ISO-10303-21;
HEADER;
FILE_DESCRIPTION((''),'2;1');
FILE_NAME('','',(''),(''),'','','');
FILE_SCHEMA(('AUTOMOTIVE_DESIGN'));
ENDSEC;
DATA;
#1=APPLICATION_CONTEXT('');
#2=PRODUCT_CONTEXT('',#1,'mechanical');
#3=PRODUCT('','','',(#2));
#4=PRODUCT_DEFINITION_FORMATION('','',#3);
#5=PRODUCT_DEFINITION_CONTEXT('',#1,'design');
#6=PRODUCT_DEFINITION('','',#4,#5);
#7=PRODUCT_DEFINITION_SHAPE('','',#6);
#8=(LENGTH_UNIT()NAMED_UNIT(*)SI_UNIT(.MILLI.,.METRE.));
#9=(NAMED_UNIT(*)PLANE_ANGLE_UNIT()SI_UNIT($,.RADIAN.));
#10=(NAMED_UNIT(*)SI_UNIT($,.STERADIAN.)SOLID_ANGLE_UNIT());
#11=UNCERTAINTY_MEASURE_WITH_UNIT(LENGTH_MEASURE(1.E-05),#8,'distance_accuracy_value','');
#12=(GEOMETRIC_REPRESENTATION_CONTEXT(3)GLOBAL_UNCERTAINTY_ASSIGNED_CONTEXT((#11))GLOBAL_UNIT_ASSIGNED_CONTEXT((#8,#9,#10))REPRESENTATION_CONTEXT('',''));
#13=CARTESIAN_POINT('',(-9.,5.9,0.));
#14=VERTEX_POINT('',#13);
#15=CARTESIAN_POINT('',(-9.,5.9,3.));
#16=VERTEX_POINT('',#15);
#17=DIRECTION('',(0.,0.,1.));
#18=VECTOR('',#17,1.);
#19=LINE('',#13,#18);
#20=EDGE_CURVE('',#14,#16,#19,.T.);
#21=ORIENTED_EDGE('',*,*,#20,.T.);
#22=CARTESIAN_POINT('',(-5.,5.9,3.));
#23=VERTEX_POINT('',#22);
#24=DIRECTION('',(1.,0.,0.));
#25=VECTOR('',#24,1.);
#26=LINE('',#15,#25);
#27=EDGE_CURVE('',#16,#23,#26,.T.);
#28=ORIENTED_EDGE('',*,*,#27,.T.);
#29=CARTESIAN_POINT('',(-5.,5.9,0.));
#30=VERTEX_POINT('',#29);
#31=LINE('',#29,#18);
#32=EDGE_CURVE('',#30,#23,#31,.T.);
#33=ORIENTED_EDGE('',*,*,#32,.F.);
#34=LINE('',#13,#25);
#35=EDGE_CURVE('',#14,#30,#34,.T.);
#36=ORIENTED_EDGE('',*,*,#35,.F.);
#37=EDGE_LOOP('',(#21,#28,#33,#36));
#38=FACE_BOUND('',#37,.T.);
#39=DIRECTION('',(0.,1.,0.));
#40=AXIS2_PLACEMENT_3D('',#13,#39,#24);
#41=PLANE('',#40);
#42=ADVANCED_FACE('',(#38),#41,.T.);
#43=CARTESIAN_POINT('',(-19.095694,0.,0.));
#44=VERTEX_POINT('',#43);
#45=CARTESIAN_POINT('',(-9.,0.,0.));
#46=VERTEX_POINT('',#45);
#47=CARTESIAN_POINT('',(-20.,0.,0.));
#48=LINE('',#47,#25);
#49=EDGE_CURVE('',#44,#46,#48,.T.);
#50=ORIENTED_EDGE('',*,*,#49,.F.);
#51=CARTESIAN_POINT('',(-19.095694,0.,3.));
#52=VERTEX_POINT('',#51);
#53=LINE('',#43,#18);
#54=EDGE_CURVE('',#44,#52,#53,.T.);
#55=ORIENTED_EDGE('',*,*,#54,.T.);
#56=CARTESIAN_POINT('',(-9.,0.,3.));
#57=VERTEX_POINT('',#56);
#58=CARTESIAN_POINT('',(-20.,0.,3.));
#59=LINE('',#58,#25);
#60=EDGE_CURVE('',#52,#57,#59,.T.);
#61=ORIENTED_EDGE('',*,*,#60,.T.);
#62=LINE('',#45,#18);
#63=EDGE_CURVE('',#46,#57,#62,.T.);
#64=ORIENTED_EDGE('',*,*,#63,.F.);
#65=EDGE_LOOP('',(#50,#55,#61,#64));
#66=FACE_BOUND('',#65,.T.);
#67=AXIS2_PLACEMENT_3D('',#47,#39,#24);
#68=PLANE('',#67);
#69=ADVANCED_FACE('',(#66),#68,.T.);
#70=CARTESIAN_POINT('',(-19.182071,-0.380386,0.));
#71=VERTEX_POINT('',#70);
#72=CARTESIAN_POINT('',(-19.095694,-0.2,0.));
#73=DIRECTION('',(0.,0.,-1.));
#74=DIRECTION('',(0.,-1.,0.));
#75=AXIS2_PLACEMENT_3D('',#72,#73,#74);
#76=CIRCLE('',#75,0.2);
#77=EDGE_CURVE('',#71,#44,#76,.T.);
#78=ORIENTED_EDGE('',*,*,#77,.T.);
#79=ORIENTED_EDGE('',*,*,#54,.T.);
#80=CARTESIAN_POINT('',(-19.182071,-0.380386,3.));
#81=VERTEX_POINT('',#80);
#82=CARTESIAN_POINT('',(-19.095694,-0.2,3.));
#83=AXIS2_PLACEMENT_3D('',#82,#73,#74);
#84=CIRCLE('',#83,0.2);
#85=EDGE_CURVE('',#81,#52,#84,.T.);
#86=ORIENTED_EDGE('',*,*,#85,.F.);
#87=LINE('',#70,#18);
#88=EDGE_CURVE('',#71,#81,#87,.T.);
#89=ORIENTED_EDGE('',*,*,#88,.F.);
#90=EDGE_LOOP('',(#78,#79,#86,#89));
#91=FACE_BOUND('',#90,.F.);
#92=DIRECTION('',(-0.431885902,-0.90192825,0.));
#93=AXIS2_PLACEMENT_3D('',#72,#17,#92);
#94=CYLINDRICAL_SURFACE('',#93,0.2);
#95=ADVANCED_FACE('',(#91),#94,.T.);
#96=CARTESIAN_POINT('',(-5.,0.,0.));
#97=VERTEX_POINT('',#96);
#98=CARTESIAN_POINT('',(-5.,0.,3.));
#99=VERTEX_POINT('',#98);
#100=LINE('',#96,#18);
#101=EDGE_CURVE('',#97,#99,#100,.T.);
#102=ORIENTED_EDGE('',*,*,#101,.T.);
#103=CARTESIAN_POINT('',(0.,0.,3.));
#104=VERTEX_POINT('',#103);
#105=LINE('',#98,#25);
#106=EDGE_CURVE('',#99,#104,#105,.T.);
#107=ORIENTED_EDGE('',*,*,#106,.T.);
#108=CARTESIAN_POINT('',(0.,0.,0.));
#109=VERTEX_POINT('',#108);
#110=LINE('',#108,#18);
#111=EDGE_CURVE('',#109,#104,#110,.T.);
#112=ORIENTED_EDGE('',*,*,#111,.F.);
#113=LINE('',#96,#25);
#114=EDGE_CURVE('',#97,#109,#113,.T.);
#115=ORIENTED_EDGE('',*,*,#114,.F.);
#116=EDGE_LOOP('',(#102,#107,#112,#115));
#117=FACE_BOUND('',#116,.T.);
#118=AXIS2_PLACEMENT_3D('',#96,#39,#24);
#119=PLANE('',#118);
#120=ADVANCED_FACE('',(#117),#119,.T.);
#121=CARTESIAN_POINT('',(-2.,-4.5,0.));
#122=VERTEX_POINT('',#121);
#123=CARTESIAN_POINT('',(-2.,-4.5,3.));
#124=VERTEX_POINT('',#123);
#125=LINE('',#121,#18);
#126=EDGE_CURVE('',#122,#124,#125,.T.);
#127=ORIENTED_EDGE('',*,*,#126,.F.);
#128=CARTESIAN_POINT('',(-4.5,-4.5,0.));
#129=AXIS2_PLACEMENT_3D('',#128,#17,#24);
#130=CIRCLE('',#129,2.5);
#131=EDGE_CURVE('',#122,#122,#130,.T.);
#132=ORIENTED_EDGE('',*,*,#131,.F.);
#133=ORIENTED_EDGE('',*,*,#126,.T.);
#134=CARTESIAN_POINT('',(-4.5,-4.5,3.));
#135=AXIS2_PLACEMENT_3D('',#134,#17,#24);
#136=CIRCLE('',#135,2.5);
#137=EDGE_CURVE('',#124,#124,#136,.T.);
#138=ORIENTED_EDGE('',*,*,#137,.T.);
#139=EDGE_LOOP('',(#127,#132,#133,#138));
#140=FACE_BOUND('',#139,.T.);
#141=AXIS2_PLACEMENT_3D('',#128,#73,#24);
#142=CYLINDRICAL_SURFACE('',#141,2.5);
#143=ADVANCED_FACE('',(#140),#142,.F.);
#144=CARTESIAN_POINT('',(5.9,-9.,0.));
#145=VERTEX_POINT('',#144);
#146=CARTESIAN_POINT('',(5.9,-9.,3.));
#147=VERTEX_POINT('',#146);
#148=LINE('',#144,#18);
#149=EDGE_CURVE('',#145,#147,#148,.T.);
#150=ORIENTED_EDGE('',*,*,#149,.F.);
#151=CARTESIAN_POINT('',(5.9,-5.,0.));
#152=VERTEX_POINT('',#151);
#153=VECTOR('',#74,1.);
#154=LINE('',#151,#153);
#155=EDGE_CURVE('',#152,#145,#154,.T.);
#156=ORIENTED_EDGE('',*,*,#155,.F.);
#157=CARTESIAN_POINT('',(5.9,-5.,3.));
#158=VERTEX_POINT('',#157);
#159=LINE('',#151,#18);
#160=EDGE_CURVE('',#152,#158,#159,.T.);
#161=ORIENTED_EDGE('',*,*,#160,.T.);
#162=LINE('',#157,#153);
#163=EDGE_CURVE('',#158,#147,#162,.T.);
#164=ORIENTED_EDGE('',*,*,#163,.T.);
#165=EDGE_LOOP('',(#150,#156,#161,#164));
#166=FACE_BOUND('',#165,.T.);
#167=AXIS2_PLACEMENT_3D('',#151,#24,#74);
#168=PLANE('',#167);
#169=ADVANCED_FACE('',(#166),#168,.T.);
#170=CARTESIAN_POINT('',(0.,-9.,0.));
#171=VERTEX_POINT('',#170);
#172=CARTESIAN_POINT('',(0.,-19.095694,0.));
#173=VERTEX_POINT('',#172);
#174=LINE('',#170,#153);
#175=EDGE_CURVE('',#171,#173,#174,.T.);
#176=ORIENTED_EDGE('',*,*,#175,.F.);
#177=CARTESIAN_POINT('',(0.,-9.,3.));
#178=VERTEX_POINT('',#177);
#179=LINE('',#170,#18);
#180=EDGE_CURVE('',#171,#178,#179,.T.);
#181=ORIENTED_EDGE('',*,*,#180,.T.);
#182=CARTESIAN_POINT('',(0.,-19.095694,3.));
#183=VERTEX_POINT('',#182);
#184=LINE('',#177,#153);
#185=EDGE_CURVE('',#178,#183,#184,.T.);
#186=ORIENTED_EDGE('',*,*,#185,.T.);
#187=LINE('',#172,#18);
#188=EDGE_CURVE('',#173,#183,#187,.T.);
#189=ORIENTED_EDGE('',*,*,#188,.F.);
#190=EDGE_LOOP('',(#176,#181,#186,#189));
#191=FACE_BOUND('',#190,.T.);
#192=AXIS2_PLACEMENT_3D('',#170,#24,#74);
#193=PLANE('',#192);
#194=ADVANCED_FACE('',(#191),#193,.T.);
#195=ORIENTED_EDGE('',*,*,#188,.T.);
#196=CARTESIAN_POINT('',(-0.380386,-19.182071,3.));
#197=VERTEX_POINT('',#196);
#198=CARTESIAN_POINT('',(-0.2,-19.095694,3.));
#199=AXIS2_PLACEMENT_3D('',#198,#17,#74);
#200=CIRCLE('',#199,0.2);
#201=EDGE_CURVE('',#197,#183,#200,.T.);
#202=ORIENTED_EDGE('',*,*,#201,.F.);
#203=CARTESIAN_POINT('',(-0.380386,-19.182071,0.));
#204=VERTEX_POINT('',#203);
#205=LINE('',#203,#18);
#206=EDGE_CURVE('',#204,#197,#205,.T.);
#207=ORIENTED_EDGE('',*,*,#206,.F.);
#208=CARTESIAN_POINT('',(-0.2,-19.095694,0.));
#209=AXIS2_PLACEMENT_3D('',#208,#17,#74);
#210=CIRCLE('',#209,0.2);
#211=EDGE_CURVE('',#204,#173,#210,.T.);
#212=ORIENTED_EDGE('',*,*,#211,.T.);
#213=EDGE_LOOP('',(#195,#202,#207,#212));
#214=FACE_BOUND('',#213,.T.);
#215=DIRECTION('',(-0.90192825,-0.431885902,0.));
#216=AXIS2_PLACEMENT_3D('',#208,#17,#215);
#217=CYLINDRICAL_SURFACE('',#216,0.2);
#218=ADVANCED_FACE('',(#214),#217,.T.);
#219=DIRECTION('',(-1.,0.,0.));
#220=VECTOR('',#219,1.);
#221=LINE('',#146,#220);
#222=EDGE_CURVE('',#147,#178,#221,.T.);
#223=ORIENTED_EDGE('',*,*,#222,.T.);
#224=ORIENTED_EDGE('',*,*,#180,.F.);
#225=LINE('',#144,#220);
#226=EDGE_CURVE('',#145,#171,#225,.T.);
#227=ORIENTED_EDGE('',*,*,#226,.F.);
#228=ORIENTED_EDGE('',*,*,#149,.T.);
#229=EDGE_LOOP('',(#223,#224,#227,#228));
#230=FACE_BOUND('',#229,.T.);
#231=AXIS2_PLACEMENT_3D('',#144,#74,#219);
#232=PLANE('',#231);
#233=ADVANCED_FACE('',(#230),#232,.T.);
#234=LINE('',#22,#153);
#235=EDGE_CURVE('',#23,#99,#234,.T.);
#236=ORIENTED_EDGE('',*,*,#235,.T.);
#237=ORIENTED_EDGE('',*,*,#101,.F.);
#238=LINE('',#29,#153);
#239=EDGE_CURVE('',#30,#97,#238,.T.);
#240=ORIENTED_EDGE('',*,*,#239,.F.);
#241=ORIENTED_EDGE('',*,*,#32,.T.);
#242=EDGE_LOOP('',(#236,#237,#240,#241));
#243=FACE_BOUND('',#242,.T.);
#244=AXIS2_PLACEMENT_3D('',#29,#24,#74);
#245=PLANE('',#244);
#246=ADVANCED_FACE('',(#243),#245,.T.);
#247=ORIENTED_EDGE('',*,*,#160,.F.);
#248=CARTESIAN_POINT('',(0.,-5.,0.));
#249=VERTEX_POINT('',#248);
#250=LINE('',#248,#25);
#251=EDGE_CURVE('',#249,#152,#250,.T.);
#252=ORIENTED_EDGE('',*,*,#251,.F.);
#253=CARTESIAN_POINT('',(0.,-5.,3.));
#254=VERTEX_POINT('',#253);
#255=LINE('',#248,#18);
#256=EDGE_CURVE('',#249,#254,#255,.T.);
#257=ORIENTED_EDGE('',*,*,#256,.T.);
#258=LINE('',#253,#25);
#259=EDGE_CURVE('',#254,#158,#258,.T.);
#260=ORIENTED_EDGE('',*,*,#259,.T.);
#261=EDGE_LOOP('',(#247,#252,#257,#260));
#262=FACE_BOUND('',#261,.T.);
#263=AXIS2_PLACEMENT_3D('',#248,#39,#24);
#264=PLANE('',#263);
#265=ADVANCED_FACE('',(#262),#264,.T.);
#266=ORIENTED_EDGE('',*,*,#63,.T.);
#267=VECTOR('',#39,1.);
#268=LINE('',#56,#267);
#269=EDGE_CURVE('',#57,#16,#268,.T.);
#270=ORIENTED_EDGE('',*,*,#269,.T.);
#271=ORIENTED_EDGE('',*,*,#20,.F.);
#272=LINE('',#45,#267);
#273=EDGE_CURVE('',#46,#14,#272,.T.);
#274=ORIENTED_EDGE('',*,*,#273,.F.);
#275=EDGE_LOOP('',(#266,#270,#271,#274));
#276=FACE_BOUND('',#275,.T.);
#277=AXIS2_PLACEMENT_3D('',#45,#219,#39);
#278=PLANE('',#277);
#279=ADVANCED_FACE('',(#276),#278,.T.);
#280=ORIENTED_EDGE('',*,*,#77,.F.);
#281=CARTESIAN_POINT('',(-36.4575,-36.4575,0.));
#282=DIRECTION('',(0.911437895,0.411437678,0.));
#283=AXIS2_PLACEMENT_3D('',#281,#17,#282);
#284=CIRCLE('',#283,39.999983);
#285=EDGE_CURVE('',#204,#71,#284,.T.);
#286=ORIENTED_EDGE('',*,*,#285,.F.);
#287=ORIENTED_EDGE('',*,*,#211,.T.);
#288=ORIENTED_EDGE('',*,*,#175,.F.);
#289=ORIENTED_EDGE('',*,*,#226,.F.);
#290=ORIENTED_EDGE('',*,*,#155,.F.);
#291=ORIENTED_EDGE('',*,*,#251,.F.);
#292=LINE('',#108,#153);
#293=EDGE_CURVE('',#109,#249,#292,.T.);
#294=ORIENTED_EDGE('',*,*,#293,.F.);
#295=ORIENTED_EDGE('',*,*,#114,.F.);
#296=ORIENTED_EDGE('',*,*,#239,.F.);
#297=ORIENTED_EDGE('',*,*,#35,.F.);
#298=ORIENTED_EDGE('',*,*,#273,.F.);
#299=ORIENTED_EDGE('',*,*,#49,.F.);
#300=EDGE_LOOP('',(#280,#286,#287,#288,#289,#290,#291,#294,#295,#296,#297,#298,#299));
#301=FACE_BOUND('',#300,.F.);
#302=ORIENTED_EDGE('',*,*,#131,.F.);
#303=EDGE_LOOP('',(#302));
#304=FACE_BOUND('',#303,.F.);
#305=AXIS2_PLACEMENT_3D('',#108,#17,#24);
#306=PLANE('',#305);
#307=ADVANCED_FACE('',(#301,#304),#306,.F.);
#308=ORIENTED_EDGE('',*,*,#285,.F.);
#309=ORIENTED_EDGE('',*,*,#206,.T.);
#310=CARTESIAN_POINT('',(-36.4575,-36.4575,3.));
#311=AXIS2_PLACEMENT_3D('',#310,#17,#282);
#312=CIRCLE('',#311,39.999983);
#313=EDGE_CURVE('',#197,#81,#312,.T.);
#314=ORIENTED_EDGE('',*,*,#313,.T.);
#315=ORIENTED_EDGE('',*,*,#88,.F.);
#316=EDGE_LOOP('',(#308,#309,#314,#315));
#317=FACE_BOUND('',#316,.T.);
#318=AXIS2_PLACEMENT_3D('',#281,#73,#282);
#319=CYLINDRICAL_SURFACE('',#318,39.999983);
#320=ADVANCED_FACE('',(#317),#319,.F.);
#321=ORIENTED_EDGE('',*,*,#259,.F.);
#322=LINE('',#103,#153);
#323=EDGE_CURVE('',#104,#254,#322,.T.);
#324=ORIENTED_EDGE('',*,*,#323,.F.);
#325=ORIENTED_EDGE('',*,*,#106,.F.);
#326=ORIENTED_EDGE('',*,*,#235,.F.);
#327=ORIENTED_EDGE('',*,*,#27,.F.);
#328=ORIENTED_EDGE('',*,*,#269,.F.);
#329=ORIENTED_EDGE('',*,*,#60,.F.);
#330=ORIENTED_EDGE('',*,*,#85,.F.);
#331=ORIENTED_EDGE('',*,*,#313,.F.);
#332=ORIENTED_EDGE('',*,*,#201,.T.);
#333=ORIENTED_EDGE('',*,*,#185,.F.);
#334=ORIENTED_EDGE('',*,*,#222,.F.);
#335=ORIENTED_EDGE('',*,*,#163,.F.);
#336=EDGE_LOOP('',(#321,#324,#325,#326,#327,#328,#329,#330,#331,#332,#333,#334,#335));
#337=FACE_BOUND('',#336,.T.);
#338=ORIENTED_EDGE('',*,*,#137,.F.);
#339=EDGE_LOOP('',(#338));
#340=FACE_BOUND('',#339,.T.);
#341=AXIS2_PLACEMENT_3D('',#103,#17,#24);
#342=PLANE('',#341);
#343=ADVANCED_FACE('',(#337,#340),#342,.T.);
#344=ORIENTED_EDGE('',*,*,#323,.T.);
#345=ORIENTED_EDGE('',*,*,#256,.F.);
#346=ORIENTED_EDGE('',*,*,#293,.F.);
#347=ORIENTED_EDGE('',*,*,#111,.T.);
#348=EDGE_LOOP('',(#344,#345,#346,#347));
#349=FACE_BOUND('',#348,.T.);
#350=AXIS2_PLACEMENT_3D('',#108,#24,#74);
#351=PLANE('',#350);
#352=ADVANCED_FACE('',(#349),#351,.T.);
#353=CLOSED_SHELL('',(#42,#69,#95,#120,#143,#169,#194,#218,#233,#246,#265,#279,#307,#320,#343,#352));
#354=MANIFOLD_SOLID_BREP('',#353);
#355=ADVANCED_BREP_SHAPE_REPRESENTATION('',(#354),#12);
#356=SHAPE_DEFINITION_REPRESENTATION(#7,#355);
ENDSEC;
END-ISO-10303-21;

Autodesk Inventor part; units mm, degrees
ref_plane "YZ Plane" through (0, 0, 0) normal (1, 0, 0) x (0, 1, 0)
ref_plane "XZ Plane" through (0, 0, 0) normal (0, 1, 0) x (-1, 0, 0)
ref_plane "XY Plane" through (0, 0, 0) normal (0, 0, 1) x (1, 0, 0)
sketch "Sketch1" plane through (0, 0, 0) normal (0, 0, 1) x (1, 0, 0)
  arc A0 (0, -20) -> (-20, 0) centre (-36.4575, -36.4575) ccw
  circle A1 centre (-4.5, -4.5) radius 2.5
  line L0 (-20, 0) -> (-9, 0)
  line L1 (-9, 0) -> (-9, 5.9)
  line L2 (-9, 5.9) -> (-5, 5.9)
  line L3 (-5, 5.9) -> (-5, 0)
  line L4 (-5, 0) -> (0, 0)
  line L5 (0, 0) -> (0, -5)
  line L6 (0, -5) -> (5.9, -5)
  line L7 (5.9, -5) -> (5.9, -9)
  line L8 (5.9, -9) -> (0, -9)
  line L9 (0, -9) -> (0, -20)
  dimension "d0" = 20
  dimension "d1" = 20
  dimension "d2" = 40
  dimension "d5" = 5
  dimension "d9" = 4
  dimension "d10" = 5.9
  dimension "d12" = 4.5
  dimension "d13" = 5.9
  dimension "d14" = 4
  dimension "d17" = 5
  dimension "d18" = 4.5
  dimension "d19" = 5
extrude "Extrusion1" add sketch "Sketch1" along normal blind 3
fillet "Fillet1" radius 0.2 2 edges at (0, -20, 1.5) (-20, 0, 1.5)
properties part number "Gripper V 8.0 servo support bracket"
